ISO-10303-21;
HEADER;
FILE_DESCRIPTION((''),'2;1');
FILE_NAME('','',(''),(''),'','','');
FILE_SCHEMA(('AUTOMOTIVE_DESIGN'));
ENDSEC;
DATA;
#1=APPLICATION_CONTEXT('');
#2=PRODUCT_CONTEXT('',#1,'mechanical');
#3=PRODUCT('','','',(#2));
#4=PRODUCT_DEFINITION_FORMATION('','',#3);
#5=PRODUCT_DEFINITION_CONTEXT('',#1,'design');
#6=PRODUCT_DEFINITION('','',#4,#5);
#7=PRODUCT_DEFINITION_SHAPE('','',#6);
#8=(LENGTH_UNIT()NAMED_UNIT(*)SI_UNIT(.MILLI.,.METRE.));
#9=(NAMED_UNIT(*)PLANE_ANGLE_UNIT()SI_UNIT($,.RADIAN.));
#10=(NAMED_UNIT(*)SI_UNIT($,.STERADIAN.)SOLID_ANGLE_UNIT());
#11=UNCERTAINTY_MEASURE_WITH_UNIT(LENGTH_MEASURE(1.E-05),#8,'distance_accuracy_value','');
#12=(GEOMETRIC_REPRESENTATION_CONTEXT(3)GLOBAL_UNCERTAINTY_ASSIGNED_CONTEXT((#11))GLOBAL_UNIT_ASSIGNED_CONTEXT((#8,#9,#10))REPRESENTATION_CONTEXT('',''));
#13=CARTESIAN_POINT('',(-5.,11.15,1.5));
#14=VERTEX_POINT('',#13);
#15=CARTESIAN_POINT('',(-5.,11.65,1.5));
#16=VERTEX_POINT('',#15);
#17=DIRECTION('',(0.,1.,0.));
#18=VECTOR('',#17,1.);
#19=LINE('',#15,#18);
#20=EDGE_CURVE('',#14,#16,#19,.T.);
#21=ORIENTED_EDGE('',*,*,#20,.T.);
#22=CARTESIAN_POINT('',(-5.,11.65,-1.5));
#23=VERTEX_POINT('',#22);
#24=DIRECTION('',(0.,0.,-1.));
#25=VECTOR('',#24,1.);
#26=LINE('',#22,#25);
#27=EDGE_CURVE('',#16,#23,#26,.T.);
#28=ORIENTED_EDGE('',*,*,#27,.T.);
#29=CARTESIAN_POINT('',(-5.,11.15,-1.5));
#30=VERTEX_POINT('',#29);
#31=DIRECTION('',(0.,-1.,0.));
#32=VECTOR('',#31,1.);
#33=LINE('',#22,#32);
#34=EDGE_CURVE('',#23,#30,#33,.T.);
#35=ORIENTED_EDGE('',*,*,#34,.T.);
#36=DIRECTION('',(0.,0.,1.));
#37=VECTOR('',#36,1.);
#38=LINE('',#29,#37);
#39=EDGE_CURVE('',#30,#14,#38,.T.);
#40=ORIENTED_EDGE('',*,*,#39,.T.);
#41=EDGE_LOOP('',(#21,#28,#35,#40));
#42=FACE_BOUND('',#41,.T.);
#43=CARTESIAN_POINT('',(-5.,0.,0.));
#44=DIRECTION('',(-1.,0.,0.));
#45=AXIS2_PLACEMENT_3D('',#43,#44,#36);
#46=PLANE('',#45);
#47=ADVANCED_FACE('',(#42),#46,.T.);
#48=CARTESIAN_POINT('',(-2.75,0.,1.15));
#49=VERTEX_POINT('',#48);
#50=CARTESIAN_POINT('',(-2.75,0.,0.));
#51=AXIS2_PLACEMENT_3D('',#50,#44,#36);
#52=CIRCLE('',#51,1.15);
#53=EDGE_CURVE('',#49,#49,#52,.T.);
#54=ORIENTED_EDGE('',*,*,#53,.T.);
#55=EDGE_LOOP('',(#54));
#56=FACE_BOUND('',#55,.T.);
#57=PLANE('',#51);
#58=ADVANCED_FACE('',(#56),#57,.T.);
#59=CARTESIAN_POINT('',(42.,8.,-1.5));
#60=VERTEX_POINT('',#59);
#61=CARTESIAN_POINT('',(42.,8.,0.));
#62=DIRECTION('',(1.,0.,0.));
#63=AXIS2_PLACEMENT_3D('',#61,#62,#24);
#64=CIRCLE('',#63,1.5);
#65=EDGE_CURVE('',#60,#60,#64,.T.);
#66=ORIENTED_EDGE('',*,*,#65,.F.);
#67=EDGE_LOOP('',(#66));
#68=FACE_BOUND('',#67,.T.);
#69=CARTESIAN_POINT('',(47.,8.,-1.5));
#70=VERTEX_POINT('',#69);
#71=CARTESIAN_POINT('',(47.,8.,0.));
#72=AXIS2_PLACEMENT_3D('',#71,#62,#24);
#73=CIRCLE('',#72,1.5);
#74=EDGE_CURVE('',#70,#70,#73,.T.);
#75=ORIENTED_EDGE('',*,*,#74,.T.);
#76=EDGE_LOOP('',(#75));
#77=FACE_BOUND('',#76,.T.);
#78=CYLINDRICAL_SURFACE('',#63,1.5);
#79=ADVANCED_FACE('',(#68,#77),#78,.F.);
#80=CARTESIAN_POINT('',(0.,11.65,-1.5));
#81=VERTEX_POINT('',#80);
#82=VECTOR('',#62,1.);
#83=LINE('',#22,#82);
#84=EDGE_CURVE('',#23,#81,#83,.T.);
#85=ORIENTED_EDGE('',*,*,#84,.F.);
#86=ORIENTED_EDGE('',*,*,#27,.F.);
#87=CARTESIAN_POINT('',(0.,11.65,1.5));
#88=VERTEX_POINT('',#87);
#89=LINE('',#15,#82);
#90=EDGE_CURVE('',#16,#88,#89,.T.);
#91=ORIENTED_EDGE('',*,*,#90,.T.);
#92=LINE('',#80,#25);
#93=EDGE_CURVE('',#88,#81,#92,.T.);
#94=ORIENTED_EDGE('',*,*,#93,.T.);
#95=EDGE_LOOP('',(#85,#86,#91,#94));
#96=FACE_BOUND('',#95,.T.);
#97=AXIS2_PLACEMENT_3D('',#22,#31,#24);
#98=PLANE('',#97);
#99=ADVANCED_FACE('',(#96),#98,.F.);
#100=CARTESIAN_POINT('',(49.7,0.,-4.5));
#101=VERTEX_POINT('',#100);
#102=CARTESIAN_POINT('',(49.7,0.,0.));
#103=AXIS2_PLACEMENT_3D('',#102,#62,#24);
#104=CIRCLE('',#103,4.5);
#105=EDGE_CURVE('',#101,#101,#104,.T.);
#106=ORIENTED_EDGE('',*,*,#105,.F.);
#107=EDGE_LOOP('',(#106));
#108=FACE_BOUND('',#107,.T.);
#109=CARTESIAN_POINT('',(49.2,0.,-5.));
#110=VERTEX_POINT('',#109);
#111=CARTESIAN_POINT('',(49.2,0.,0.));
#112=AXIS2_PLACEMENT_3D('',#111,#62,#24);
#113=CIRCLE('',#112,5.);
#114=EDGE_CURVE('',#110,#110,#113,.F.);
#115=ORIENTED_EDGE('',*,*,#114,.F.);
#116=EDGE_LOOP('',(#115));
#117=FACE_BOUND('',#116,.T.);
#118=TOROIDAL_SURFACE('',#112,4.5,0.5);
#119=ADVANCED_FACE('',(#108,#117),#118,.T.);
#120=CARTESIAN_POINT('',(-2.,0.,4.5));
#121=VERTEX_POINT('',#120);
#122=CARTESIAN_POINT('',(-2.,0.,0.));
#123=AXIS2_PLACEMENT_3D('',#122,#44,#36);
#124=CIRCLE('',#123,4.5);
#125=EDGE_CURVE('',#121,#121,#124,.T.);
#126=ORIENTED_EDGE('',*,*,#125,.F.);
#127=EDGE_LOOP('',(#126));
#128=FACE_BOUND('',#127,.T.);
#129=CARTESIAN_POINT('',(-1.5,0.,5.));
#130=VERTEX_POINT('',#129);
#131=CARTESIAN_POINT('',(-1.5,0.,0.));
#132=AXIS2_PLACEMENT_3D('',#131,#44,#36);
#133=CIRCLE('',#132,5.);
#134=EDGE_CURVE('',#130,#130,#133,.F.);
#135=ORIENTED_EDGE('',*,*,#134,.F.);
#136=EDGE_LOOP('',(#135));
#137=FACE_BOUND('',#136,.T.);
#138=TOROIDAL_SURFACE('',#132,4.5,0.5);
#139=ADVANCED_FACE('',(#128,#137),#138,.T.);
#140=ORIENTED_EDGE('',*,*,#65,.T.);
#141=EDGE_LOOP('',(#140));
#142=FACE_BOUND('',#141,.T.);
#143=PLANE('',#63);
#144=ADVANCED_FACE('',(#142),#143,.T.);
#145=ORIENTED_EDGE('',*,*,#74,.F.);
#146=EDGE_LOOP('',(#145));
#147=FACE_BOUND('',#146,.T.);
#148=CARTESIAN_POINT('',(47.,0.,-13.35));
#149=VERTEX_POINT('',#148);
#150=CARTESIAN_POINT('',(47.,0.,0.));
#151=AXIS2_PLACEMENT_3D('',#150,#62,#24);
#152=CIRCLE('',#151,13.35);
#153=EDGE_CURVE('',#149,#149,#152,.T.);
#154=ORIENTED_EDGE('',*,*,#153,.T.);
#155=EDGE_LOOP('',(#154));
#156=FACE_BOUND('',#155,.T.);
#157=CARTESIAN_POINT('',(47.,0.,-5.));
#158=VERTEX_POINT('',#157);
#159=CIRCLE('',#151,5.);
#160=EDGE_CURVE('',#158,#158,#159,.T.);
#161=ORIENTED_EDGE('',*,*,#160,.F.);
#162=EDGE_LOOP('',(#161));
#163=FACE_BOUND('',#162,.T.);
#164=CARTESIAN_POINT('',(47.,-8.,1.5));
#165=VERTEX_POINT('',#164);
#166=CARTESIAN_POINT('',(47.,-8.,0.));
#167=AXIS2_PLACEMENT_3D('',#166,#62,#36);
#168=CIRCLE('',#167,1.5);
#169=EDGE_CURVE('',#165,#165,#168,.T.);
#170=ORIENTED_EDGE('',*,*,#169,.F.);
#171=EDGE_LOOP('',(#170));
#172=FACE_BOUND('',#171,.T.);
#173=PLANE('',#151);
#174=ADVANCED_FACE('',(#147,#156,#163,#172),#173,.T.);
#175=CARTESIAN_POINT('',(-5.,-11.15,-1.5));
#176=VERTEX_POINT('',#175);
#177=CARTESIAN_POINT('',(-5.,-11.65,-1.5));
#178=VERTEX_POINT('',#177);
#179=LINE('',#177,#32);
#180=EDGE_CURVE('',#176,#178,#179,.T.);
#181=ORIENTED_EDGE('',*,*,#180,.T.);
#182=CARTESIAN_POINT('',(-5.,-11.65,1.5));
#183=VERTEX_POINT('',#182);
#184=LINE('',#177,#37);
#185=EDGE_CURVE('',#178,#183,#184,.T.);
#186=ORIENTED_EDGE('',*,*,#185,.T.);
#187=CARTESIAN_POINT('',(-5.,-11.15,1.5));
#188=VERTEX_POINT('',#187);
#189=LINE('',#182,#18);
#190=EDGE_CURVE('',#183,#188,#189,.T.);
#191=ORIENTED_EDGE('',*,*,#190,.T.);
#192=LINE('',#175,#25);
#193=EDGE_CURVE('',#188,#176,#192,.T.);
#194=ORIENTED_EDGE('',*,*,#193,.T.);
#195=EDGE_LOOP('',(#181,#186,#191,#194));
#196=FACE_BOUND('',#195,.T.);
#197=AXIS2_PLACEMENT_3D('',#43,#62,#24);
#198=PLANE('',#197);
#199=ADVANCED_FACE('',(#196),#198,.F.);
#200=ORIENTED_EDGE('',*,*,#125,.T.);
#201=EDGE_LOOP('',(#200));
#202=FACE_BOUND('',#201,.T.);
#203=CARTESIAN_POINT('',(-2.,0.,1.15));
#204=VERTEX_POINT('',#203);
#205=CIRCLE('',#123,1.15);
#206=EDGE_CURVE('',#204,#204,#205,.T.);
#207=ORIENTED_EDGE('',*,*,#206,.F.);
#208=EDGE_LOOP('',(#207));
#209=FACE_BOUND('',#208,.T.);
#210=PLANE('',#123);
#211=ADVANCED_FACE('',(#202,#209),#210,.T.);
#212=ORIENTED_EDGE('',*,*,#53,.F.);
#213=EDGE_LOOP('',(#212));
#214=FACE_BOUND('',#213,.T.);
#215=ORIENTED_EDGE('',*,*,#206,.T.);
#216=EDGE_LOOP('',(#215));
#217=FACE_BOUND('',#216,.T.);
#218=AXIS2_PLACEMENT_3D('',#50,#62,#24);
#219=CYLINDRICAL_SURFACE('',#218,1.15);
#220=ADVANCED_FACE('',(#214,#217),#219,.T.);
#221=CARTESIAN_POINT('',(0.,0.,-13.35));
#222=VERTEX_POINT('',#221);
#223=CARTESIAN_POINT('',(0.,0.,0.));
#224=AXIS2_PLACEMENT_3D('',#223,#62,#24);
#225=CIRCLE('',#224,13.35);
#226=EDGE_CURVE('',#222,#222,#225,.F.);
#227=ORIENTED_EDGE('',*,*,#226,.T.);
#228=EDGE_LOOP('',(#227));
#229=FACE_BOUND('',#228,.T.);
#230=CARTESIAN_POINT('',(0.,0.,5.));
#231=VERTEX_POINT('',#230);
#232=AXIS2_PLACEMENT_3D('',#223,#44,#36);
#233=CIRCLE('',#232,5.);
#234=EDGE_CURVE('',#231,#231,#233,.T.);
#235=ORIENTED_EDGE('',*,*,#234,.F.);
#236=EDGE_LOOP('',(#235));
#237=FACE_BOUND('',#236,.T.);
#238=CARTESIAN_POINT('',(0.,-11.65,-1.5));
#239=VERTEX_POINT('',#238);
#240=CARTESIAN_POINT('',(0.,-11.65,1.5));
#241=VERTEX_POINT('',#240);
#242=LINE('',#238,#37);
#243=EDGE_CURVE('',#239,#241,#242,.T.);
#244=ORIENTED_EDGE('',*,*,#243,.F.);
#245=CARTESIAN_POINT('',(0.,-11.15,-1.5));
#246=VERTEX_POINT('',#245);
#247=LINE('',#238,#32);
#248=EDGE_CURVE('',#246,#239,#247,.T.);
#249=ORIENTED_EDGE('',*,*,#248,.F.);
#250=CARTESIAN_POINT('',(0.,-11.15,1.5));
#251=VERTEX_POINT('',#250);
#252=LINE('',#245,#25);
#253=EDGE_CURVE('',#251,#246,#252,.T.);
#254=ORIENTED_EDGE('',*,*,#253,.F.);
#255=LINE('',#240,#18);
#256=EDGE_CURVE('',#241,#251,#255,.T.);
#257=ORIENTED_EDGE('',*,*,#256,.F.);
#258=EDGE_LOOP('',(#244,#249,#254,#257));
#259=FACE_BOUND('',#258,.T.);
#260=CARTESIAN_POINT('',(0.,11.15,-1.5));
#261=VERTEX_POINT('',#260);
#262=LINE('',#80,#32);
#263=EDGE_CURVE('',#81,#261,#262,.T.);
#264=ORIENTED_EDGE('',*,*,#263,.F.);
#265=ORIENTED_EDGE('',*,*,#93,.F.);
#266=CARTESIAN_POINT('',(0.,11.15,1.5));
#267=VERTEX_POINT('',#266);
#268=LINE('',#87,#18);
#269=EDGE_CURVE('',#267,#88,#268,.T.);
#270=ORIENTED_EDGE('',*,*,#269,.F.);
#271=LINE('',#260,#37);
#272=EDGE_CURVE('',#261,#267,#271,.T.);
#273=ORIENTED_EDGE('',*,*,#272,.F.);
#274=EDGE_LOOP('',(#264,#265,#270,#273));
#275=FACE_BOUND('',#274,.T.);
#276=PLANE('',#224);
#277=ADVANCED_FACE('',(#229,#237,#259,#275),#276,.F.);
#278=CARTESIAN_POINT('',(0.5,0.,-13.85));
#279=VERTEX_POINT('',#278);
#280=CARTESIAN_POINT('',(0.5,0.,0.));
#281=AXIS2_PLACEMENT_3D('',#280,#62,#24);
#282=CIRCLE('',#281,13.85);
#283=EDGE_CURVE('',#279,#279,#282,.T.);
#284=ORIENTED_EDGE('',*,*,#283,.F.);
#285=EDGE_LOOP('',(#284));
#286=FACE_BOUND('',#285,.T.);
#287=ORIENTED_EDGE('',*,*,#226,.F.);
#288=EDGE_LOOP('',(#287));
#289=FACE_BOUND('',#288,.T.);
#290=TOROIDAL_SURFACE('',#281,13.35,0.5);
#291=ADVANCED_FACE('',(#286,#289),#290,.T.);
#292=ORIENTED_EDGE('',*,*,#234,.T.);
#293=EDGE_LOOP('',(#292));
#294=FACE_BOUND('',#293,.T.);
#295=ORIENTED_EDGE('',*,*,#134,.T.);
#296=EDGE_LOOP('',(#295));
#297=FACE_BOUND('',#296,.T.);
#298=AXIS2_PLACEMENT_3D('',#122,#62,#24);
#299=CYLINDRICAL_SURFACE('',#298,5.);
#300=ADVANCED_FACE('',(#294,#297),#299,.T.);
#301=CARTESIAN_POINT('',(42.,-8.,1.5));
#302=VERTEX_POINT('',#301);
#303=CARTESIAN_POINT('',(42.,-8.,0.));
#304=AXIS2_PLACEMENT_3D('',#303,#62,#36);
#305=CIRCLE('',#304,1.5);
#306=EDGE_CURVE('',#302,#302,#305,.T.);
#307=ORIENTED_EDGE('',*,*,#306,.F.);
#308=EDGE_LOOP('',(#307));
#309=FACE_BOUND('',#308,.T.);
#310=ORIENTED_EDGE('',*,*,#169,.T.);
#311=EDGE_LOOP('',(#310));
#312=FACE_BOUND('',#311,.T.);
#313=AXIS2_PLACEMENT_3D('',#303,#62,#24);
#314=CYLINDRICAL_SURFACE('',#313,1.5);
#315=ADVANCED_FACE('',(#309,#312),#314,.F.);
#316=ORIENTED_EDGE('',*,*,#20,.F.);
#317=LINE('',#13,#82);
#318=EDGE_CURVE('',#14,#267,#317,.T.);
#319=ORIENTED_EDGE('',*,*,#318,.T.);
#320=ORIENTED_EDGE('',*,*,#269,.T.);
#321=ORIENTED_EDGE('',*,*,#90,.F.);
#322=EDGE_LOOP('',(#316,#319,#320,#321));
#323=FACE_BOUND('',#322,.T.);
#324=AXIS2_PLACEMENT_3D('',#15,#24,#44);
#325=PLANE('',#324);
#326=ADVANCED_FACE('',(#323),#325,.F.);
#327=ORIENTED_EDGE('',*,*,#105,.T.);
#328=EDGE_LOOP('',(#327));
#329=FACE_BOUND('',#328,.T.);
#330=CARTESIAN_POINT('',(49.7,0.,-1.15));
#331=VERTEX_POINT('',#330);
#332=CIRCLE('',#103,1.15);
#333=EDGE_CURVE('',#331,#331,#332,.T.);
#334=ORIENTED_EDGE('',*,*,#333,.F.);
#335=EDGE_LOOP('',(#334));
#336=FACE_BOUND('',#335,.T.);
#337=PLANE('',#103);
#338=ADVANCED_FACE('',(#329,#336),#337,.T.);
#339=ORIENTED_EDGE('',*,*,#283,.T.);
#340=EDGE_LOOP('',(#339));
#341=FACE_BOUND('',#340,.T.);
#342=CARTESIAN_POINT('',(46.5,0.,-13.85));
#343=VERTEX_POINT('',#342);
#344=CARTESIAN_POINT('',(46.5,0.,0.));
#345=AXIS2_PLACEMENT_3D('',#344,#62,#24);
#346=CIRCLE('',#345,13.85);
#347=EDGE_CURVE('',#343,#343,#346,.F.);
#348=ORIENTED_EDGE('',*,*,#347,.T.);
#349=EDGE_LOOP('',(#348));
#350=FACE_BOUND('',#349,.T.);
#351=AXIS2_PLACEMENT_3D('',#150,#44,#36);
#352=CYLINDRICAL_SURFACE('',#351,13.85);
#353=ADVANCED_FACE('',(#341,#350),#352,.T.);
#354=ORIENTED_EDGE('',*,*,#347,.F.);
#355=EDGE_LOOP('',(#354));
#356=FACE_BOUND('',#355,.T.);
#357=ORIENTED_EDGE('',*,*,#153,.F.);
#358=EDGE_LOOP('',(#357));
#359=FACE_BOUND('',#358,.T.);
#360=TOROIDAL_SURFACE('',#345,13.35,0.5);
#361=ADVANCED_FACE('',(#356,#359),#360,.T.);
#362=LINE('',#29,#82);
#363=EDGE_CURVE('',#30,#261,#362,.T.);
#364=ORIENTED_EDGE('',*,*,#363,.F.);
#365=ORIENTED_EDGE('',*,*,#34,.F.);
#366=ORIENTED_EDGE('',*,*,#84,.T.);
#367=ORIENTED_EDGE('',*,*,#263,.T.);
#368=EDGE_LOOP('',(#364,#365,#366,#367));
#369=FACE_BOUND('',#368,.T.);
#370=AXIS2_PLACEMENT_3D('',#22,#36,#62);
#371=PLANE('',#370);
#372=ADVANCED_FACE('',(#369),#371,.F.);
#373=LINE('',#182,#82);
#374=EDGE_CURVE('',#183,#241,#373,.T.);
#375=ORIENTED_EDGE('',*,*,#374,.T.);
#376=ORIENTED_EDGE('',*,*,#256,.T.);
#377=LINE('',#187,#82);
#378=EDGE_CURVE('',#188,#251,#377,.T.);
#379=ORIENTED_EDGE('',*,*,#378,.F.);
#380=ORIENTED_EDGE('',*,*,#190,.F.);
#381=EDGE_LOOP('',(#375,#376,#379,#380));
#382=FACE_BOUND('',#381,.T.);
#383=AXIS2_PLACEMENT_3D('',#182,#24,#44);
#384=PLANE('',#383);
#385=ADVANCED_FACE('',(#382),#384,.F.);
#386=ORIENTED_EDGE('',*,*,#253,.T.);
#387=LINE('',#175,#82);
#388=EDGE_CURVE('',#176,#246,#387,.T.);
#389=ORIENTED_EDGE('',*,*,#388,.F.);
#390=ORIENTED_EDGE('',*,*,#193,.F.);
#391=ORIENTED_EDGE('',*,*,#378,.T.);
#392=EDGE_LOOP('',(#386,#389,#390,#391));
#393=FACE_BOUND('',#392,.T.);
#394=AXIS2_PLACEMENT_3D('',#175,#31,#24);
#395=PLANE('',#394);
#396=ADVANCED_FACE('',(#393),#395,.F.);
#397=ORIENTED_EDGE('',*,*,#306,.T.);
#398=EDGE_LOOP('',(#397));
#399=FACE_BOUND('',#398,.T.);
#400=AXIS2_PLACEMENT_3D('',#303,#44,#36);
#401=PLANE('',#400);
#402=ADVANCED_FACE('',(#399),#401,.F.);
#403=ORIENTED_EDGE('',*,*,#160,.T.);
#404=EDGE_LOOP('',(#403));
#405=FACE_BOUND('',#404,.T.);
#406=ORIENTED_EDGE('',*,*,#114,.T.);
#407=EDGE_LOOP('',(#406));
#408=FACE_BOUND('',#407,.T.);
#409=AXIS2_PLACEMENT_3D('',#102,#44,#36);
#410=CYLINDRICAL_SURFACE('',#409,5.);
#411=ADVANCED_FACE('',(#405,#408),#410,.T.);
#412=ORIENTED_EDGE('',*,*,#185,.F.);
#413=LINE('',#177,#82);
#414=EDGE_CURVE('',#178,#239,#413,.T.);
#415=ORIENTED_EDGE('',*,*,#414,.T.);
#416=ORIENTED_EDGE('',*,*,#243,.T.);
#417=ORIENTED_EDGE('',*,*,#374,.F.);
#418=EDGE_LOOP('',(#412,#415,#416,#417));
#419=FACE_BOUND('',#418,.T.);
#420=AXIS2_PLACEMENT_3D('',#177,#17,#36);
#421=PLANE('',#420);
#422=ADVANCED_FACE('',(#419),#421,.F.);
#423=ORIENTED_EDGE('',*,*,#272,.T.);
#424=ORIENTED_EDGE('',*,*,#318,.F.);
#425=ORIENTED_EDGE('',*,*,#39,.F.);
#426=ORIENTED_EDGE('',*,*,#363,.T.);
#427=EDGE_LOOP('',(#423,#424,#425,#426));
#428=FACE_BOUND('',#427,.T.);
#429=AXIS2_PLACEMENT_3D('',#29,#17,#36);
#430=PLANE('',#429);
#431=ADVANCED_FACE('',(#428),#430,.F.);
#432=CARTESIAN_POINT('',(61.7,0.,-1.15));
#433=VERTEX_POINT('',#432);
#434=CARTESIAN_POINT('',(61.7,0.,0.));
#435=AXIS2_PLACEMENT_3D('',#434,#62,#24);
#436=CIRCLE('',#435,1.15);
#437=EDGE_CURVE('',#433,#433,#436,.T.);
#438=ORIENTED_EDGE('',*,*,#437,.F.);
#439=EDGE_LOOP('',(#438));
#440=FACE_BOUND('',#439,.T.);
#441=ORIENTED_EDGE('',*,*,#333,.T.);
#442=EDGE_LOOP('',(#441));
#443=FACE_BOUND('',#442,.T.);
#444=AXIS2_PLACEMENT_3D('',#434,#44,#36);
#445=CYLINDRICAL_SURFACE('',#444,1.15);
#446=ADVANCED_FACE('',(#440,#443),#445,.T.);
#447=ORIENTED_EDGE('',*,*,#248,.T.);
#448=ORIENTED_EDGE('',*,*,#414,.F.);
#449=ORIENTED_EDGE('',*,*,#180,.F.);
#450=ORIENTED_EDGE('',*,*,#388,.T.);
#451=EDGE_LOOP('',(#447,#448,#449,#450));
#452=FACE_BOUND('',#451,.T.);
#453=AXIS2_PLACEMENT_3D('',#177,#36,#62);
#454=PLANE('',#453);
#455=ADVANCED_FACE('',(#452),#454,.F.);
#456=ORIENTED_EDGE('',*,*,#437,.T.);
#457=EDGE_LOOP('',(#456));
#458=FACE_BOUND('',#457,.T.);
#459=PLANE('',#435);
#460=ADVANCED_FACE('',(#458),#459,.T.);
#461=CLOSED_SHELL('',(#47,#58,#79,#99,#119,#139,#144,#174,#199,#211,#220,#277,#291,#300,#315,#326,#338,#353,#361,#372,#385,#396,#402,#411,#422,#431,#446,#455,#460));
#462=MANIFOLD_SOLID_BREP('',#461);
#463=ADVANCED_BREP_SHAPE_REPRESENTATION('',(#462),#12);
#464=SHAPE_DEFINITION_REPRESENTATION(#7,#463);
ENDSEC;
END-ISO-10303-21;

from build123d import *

# Parameters (mm, degrees)
SKETCH1_R           = 13.85
BOSS_EXTRUDE1_DEPTH = 47
SKETCH2_R           = 5
BOSS_EXTRUDE2_DEPTH = 2.7
SKETCH3_R           = 1.15
BOSS_EXTRUDE3_DEPTH = 12
SKETCH4_R           = 5
BOSS_EXTRUDE4_DEPTH = 2
SKETCH5_R           = 1.15
BOSS_EXTRUDE5_DEPTH = 0.75
SKETCH6_W           = 3
SKETCH6_H           = 0.5
BOSS_EXTRUDE6_DEPTH = 5
SKETCH7_R           = 1.5
CUT_EXTRUDE1_DEPTH  = 5
FILLET1_R           = 0.5


with BuildPart() as part:
    # Sketch1 → Boss-Extrude1 (new body)
    with BuildSketch(Plane(origin=(0, 0, 0), x_dir=(0, 0, -1), z_dir=(1, 0, 0))):
        Circle(SKETCH1_R)
    extrude(amount=BOSS_EXTRUDE1_DEPTH)

    # Sketch2 → Boss-Extrude2 (add)
    with BuildSketch(Plane(origin=(47, 0, 0), x_dir=(0, 0, -1), z_dir=(1, 0, 0))):
        Circle(SKETCH2_R)
    extrude(amount=BOSS_EXTRUDE2_DEPTH)

    # Sketch3 → Boss-Extrude3 (add)
    with BuildSketch(Plane(origin=(49.7, 0, 0), x_dir=(0, 0, -1), z_dir=(1, 0, 0))):
        Circle(SKETCH3_R)
    extrude(amount=BOSS_EXTRUDE3_DEPTH)

    # Sketch4 → Boss-Extrude4 (add)
    with BuildSketch(Plane.ZY):
        Circle(SKETCH4_R)
    extrude(amount=BOSS_EXTRUDE4_DEPTH)

    # Sketch5 → Boss-Extrude5 (add)
    with BuildSketch(Plane.ZY.offset(2)):
        Circle(SKETCH5_R)
    extrude(amount=BOSS_EXTRUDE5_DEPTH)

    # Sketch6 → Boss-Extrude6 (add)
    with BuildSketch(Plane.ZY):
        with Locations((0, 11.4)):
            Rectangle(SKETCH6_W, SKETCH6_H)
        with Locations((0, -11.4)):
            Rectangle(SKETCH6_W, SKETCH6_H)
    extrude(amount=BOSS_EXTRUDE6_DEPTH)

    # Sketch7 → Cut-Extrude1 (cut)
    with BuildSketch(Plane(origin=(47, 0, 0), x_dir=(0, 0, -1), z_dir=(1, 0, 0))):
        with Locations((0, 8)):
            Circle(SKETCH7_R)
        with Locations((0, -8)):
            Circle(SKETCH7_R)
    extrude(amount=-CUT_EXTRUDE1_DEPTH, mode=Mode.SUBTRACT)

    # Fillet1
    fillet1_edges = [part.edges().sort_by_distance(p)[0] for p in [
        (-2, 0, -5),
        (0, 0, 13.85),
        (47, 0, 13.85),
        (49.7, 0, 5),
    ]]
    fillet(fillet1_edges, radius=FILLET1_R)


solid = part.part
